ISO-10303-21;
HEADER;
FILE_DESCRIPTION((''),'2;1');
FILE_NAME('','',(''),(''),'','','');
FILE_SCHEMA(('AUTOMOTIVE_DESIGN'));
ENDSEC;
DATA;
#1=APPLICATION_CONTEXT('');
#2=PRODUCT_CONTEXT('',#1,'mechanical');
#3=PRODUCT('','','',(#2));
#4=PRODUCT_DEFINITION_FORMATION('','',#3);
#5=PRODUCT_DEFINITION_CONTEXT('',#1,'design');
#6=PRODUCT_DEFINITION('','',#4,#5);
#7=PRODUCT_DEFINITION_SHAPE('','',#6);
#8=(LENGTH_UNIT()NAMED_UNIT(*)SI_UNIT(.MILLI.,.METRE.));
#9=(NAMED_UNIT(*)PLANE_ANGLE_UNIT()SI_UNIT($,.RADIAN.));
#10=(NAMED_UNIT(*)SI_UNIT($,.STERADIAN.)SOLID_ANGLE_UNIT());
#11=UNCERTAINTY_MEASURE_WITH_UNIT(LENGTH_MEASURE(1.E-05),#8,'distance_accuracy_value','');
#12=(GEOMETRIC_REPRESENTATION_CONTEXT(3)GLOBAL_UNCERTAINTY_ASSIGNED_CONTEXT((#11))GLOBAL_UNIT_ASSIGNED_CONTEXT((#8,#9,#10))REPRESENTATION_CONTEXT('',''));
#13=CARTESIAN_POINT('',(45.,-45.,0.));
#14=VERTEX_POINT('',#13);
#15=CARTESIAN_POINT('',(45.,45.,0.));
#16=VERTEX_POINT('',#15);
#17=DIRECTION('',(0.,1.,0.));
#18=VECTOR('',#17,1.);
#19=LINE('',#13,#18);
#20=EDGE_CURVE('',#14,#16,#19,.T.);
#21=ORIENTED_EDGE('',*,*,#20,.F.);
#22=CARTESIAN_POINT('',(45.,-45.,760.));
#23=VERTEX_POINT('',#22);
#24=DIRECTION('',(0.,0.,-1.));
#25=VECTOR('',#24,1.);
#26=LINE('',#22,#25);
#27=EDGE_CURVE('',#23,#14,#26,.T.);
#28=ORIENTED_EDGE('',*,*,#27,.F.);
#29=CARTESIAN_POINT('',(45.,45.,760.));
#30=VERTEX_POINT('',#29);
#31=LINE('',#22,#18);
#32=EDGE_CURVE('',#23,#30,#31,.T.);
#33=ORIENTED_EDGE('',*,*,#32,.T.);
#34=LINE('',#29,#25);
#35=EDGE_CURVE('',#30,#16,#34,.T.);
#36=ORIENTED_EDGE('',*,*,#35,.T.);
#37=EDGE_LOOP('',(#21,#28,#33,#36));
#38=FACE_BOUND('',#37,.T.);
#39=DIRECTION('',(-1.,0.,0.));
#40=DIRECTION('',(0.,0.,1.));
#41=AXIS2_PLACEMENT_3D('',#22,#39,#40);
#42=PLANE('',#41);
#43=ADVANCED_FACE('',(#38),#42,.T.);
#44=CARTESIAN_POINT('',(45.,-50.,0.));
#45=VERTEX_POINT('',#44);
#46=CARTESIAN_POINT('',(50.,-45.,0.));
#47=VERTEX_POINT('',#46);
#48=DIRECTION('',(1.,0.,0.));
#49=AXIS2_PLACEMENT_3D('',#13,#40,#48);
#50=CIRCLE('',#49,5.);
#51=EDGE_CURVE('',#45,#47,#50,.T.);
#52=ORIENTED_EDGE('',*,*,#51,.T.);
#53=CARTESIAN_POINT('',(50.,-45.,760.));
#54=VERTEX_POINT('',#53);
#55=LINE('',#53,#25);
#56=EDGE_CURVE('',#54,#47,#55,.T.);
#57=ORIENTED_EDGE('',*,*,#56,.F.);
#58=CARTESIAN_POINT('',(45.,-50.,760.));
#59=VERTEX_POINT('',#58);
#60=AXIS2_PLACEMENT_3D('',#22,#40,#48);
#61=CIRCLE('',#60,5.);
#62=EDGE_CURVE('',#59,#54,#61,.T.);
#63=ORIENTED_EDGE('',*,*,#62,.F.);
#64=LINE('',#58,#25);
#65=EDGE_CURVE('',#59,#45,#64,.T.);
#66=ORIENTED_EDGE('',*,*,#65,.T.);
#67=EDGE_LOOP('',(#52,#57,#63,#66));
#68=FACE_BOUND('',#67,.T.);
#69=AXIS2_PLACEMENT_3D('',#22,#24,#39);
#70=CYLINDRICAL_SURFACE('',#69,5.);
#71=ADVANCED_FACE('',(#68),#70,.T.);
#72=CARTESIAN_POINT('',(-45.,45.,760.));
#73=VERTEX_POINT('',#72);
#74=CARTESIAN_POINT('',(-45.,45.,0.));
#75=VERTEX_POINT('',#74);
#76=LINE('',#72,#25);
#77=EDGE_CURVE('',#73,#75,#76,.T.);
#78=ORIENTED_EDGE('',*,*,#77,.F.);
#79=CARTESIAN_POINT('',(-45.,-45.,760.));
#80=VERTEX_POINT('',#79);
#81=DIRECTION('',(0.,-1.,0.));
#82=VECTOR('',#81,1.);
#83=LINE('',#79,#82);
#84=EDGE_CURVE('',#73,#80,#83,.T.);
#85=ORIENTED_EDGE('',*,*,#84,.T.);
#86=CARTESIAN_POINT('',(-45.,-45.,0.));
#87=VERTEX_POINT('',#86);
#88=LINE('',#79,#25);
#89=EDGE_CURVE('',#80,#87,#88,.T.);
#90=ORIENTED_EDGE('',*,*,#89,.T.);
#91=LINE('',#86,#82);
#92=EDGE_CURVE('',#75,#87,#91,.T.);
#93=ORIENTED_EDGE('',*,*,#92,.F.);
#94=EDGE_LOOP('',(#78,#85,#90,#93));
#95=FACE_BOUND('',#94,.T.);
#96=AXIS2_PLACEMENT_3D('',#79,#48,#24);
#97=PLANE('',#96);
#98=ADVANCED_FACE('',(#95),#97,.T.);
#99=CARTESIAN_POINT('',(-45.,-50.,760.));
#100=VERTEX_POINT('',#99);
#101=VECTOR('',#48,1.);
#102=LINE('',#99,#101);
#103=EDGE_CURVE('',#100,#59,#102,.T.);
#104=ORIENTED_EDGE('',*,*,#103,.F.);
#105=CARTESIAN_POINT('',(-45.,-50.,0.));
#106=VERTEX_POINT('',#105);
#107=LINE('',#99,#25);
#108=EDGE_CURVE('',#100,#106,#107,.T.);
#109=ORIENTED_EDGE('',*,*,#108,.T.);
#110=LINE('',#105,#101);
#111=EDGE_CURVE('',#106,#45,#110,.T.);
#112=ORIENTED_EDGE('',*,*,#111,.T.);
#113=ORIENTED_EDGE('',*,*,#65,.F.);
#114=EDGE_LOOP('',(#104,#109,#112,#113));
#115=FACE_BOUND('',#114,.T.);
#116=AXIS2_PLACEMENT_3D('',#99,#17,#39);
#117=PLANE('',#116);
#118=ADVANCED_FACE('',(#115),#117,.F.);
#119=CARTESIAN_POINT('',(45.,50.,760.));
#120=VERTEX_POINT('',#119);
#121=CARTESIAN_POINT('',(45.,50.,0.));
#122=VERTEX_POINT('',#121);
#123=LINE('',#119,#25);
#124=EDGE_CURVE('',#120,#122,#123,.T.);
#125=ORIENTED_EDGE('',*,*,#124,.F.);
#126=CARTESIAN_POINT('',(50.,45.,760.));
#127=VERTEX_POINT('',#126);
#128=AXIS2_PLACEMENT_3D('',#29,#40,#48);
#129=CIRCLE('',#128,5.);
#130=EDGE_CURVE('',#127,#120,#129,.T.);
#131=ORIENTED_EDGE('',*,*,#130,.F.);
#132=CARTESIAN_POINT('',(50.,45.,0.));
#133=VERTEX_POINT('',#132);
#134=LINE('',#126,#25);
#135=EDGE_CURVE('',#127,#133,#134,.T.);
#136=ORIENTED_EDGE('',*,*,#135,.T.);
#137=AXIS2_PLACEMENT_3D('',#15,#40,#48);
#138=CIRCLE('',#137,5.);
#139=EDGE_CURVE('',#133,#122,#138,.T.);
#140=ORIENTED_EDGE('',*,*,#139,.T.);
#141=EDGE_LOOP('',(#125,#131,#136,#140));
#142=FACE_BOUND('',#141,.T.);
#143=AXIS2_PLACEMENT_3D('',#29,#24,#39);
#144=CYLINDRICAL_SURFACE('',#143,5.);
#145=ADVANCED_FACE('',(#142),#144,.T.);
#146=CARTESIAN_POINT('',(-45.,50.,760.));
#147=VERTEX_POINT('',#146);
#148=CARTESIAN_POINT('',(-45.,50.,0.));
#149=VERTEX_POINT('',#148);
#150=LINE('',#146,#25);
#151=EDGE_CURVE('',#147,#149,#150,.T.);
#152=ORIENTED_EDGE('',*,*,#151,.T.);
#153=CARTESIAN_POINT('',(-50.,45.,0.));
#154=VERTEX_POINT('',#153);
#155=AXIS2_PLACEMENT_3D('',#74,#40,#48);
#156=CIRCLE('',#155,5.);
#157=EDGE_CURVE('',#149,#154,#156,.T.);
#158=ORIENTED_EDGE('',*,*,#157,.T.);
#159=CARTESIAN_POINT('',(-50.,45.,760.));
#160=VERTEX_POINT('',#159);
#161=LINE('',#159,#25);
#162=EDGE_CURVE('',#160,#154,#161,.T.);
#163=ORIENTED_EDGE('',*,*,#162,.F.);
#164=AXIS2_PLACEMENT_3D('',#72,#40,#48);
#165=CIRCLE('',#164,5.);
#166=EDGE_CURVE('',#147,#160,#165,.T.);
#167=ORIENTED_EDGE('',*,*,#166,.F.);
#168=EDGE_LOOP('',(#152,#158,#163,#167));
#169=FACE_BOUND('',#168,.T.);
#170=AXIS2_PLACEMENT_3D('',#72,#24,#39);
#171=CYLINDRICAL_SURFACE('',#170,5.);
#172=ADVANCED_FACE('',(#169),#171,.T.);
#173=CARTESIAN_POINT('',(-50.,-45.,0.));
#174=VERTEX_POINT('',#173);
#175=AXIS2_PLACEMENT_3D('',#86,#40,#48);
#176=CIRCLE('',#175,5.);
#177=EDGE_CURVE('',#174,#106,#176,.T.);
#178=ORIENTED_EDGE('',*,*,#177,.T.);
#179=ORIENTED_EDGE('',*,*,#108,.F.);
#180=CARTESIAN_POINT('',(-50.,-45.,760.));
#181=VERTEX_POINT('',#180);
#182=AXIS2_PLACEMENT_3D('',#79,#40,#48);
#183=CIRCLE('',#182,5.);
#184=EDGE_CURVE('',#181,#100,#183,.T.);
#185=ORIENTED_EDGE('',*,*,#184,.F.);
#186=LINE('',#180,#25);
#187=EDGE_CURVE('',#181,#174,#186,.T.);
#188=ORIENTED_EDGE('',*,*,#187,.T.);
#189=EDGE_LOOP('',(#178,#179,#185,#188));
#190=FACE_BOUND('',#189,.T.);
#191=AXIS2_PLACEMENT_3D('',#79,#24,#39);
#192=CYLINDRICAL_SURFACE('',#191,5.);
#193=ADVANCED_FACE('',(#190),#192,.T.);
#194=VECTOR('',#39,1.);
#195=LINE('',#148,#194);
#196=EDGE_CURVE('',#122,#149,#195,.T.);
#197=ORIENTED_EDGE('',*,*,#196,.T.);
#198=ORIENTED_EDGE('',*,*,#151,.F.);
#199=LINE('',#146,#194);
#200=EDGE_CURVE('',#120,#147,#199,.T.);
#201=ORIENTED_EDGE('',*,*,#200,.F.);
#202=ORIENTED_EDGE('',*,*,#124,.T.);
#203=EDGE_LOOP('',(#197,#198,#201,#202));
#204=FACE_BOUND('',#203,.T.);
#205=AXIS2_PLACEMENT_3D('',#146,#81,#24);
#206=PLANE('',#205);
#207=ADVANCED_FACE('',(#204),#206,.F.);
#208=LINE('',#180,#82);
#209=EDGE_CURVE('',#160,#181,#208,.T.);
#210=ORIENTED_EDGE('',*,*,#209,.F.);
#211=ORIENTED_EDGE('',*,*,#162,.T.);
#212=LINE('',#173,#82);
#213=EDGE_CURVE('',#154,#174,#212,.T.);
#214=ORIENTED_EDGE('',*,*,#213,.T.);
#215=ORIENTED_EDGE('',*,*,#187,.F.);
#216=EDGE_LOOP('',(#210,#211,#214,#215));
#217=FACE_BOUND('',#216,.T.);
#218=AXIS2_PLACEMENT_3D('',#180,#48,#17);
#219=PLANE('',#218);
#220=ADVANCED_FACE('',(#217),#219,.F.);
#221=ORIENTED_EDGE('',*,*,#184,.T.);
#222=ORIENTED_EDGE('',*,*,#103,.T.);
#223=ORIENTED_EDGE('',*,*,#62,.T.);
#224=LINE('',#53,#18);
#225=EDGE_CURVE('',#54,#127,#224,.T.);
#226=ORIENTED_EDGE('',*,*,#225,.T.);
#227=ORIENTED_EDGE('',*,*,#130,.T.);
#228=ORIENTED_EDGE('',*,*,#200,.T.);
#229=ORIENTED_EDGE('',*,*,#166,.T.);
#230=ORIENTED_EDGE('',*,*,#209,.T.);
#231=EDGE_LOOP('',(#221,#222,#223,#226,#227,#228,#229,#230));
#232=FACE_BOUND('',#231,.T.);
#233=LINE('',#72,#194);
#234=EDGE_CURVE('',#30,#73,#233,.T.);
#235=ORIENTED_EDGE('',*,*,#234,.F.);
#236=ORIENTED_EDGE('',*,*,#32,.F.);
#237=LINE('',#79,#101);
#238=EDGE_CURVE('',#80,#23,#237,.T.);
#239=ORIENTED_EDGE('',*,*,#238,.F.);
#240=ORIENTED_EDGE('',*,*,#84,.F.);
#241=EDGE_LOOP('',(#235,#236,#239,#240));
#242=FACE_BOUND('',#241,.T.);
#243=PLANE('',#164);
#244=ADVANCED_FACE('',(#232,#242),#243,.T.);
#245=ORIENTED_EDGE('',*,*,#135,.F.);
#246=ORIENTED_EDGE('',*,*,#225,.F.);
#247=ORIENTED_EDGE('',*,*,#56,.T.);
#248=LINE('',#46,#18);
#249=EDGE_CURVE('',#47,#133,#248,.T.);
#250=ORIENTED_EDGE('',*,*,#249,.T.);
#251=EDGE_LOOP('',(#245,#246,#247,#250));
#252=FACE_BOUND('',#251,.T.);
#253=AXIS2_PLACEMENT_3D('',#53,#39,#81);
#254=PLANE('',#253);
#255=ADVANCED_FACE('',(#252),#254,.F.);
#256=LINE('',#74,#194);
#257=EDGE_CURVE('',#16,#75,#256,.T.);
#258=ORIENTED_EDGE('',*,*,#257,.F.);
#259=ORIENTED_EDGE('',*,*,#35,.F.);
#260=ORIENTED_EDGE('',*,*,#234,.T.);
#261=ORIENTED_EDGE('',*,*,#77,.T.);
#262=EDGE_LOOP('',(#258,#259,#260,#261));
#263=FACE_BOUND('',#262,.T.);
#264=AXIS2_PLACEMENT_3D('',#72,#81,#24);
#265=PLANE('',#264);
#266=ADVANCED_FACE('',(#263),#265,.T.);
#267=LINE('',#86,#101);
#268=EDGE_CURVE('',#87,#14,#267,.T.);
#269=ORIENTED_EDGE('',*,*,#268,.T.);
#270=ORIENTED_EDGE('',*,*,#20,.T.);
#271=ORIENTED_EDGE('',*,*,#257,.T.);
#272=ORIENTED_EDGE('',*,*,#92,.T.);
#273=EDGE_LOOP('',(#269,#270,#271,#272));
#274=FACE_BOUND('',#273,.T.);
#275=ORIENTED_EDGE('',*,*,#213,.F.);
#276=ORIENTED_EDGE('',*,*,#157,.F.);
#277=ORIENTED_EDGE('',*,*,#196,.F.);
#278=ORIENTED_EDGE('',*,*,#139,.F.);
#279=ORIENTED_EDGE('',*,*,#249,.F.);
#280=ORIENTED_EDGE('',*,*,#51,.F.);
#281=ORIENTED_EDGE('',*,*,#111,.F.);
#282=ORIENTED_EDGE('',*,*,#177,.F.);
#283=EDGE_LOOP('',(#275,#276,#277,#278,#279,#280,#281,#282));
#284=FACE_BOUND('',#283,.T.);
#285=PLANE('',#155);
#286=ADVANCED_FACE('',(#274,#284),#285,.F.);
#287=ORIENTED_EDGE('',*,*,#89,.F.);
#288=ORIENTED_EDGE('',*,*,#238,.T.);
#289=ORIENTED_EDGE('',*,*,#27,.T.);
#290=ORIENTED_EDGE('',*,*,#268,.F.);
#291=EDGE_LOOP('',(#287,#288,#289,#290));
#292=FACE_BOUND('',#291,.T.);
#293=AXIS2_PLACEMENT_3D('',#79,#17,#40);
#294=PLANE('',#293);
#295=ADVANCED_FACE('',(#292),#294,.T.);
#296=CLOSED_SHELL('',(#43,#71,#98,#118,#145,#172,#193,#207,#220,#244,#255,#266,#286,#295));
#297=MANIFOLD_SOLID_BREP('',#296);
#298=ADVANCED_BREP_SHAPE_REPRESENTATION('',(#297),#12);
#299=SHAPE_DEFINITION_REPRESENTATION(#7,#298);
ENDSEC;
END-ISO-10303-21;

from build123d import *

# Parameters (mm, degrees)
SKETCH1_W           = 90
SKETCH1_H           = 90
BOSS_EXTRUDE1_DEPTH = 760


with BuildPart() as part:
    # Sketch1 → Boss-Extrude1 (new body)
    with BuildSketch(Plane.XY):
        with BuildLine():
            Line((-45, -50), (45, -50))
            ThreePointArc((45, -50), (48.535533906, -48.535533906), (50, -45))
            Line((50, -45), (50, 45))
            ThreePointArc((50, 45), (48.535533906, 48.535533906), (45, 50))
            Line((45, 50), (-45, 50))
            ThreePointArc((-45, 50), (-48.535533906, 48.535533906), (-50, 45))
            Line((-50, 45), (-50, -45))
            ThreePointArc((-50, -45), (-48.535533906, -48.535533906), (-45, -50))
        make_face()
        Rectangle(SKETCH1_W, SKETCH1_H, mode=Mode.SUBTRACT)
    extrude(amount=BOSS_EXTRUDE1_DEPTH)


solid = part.part
